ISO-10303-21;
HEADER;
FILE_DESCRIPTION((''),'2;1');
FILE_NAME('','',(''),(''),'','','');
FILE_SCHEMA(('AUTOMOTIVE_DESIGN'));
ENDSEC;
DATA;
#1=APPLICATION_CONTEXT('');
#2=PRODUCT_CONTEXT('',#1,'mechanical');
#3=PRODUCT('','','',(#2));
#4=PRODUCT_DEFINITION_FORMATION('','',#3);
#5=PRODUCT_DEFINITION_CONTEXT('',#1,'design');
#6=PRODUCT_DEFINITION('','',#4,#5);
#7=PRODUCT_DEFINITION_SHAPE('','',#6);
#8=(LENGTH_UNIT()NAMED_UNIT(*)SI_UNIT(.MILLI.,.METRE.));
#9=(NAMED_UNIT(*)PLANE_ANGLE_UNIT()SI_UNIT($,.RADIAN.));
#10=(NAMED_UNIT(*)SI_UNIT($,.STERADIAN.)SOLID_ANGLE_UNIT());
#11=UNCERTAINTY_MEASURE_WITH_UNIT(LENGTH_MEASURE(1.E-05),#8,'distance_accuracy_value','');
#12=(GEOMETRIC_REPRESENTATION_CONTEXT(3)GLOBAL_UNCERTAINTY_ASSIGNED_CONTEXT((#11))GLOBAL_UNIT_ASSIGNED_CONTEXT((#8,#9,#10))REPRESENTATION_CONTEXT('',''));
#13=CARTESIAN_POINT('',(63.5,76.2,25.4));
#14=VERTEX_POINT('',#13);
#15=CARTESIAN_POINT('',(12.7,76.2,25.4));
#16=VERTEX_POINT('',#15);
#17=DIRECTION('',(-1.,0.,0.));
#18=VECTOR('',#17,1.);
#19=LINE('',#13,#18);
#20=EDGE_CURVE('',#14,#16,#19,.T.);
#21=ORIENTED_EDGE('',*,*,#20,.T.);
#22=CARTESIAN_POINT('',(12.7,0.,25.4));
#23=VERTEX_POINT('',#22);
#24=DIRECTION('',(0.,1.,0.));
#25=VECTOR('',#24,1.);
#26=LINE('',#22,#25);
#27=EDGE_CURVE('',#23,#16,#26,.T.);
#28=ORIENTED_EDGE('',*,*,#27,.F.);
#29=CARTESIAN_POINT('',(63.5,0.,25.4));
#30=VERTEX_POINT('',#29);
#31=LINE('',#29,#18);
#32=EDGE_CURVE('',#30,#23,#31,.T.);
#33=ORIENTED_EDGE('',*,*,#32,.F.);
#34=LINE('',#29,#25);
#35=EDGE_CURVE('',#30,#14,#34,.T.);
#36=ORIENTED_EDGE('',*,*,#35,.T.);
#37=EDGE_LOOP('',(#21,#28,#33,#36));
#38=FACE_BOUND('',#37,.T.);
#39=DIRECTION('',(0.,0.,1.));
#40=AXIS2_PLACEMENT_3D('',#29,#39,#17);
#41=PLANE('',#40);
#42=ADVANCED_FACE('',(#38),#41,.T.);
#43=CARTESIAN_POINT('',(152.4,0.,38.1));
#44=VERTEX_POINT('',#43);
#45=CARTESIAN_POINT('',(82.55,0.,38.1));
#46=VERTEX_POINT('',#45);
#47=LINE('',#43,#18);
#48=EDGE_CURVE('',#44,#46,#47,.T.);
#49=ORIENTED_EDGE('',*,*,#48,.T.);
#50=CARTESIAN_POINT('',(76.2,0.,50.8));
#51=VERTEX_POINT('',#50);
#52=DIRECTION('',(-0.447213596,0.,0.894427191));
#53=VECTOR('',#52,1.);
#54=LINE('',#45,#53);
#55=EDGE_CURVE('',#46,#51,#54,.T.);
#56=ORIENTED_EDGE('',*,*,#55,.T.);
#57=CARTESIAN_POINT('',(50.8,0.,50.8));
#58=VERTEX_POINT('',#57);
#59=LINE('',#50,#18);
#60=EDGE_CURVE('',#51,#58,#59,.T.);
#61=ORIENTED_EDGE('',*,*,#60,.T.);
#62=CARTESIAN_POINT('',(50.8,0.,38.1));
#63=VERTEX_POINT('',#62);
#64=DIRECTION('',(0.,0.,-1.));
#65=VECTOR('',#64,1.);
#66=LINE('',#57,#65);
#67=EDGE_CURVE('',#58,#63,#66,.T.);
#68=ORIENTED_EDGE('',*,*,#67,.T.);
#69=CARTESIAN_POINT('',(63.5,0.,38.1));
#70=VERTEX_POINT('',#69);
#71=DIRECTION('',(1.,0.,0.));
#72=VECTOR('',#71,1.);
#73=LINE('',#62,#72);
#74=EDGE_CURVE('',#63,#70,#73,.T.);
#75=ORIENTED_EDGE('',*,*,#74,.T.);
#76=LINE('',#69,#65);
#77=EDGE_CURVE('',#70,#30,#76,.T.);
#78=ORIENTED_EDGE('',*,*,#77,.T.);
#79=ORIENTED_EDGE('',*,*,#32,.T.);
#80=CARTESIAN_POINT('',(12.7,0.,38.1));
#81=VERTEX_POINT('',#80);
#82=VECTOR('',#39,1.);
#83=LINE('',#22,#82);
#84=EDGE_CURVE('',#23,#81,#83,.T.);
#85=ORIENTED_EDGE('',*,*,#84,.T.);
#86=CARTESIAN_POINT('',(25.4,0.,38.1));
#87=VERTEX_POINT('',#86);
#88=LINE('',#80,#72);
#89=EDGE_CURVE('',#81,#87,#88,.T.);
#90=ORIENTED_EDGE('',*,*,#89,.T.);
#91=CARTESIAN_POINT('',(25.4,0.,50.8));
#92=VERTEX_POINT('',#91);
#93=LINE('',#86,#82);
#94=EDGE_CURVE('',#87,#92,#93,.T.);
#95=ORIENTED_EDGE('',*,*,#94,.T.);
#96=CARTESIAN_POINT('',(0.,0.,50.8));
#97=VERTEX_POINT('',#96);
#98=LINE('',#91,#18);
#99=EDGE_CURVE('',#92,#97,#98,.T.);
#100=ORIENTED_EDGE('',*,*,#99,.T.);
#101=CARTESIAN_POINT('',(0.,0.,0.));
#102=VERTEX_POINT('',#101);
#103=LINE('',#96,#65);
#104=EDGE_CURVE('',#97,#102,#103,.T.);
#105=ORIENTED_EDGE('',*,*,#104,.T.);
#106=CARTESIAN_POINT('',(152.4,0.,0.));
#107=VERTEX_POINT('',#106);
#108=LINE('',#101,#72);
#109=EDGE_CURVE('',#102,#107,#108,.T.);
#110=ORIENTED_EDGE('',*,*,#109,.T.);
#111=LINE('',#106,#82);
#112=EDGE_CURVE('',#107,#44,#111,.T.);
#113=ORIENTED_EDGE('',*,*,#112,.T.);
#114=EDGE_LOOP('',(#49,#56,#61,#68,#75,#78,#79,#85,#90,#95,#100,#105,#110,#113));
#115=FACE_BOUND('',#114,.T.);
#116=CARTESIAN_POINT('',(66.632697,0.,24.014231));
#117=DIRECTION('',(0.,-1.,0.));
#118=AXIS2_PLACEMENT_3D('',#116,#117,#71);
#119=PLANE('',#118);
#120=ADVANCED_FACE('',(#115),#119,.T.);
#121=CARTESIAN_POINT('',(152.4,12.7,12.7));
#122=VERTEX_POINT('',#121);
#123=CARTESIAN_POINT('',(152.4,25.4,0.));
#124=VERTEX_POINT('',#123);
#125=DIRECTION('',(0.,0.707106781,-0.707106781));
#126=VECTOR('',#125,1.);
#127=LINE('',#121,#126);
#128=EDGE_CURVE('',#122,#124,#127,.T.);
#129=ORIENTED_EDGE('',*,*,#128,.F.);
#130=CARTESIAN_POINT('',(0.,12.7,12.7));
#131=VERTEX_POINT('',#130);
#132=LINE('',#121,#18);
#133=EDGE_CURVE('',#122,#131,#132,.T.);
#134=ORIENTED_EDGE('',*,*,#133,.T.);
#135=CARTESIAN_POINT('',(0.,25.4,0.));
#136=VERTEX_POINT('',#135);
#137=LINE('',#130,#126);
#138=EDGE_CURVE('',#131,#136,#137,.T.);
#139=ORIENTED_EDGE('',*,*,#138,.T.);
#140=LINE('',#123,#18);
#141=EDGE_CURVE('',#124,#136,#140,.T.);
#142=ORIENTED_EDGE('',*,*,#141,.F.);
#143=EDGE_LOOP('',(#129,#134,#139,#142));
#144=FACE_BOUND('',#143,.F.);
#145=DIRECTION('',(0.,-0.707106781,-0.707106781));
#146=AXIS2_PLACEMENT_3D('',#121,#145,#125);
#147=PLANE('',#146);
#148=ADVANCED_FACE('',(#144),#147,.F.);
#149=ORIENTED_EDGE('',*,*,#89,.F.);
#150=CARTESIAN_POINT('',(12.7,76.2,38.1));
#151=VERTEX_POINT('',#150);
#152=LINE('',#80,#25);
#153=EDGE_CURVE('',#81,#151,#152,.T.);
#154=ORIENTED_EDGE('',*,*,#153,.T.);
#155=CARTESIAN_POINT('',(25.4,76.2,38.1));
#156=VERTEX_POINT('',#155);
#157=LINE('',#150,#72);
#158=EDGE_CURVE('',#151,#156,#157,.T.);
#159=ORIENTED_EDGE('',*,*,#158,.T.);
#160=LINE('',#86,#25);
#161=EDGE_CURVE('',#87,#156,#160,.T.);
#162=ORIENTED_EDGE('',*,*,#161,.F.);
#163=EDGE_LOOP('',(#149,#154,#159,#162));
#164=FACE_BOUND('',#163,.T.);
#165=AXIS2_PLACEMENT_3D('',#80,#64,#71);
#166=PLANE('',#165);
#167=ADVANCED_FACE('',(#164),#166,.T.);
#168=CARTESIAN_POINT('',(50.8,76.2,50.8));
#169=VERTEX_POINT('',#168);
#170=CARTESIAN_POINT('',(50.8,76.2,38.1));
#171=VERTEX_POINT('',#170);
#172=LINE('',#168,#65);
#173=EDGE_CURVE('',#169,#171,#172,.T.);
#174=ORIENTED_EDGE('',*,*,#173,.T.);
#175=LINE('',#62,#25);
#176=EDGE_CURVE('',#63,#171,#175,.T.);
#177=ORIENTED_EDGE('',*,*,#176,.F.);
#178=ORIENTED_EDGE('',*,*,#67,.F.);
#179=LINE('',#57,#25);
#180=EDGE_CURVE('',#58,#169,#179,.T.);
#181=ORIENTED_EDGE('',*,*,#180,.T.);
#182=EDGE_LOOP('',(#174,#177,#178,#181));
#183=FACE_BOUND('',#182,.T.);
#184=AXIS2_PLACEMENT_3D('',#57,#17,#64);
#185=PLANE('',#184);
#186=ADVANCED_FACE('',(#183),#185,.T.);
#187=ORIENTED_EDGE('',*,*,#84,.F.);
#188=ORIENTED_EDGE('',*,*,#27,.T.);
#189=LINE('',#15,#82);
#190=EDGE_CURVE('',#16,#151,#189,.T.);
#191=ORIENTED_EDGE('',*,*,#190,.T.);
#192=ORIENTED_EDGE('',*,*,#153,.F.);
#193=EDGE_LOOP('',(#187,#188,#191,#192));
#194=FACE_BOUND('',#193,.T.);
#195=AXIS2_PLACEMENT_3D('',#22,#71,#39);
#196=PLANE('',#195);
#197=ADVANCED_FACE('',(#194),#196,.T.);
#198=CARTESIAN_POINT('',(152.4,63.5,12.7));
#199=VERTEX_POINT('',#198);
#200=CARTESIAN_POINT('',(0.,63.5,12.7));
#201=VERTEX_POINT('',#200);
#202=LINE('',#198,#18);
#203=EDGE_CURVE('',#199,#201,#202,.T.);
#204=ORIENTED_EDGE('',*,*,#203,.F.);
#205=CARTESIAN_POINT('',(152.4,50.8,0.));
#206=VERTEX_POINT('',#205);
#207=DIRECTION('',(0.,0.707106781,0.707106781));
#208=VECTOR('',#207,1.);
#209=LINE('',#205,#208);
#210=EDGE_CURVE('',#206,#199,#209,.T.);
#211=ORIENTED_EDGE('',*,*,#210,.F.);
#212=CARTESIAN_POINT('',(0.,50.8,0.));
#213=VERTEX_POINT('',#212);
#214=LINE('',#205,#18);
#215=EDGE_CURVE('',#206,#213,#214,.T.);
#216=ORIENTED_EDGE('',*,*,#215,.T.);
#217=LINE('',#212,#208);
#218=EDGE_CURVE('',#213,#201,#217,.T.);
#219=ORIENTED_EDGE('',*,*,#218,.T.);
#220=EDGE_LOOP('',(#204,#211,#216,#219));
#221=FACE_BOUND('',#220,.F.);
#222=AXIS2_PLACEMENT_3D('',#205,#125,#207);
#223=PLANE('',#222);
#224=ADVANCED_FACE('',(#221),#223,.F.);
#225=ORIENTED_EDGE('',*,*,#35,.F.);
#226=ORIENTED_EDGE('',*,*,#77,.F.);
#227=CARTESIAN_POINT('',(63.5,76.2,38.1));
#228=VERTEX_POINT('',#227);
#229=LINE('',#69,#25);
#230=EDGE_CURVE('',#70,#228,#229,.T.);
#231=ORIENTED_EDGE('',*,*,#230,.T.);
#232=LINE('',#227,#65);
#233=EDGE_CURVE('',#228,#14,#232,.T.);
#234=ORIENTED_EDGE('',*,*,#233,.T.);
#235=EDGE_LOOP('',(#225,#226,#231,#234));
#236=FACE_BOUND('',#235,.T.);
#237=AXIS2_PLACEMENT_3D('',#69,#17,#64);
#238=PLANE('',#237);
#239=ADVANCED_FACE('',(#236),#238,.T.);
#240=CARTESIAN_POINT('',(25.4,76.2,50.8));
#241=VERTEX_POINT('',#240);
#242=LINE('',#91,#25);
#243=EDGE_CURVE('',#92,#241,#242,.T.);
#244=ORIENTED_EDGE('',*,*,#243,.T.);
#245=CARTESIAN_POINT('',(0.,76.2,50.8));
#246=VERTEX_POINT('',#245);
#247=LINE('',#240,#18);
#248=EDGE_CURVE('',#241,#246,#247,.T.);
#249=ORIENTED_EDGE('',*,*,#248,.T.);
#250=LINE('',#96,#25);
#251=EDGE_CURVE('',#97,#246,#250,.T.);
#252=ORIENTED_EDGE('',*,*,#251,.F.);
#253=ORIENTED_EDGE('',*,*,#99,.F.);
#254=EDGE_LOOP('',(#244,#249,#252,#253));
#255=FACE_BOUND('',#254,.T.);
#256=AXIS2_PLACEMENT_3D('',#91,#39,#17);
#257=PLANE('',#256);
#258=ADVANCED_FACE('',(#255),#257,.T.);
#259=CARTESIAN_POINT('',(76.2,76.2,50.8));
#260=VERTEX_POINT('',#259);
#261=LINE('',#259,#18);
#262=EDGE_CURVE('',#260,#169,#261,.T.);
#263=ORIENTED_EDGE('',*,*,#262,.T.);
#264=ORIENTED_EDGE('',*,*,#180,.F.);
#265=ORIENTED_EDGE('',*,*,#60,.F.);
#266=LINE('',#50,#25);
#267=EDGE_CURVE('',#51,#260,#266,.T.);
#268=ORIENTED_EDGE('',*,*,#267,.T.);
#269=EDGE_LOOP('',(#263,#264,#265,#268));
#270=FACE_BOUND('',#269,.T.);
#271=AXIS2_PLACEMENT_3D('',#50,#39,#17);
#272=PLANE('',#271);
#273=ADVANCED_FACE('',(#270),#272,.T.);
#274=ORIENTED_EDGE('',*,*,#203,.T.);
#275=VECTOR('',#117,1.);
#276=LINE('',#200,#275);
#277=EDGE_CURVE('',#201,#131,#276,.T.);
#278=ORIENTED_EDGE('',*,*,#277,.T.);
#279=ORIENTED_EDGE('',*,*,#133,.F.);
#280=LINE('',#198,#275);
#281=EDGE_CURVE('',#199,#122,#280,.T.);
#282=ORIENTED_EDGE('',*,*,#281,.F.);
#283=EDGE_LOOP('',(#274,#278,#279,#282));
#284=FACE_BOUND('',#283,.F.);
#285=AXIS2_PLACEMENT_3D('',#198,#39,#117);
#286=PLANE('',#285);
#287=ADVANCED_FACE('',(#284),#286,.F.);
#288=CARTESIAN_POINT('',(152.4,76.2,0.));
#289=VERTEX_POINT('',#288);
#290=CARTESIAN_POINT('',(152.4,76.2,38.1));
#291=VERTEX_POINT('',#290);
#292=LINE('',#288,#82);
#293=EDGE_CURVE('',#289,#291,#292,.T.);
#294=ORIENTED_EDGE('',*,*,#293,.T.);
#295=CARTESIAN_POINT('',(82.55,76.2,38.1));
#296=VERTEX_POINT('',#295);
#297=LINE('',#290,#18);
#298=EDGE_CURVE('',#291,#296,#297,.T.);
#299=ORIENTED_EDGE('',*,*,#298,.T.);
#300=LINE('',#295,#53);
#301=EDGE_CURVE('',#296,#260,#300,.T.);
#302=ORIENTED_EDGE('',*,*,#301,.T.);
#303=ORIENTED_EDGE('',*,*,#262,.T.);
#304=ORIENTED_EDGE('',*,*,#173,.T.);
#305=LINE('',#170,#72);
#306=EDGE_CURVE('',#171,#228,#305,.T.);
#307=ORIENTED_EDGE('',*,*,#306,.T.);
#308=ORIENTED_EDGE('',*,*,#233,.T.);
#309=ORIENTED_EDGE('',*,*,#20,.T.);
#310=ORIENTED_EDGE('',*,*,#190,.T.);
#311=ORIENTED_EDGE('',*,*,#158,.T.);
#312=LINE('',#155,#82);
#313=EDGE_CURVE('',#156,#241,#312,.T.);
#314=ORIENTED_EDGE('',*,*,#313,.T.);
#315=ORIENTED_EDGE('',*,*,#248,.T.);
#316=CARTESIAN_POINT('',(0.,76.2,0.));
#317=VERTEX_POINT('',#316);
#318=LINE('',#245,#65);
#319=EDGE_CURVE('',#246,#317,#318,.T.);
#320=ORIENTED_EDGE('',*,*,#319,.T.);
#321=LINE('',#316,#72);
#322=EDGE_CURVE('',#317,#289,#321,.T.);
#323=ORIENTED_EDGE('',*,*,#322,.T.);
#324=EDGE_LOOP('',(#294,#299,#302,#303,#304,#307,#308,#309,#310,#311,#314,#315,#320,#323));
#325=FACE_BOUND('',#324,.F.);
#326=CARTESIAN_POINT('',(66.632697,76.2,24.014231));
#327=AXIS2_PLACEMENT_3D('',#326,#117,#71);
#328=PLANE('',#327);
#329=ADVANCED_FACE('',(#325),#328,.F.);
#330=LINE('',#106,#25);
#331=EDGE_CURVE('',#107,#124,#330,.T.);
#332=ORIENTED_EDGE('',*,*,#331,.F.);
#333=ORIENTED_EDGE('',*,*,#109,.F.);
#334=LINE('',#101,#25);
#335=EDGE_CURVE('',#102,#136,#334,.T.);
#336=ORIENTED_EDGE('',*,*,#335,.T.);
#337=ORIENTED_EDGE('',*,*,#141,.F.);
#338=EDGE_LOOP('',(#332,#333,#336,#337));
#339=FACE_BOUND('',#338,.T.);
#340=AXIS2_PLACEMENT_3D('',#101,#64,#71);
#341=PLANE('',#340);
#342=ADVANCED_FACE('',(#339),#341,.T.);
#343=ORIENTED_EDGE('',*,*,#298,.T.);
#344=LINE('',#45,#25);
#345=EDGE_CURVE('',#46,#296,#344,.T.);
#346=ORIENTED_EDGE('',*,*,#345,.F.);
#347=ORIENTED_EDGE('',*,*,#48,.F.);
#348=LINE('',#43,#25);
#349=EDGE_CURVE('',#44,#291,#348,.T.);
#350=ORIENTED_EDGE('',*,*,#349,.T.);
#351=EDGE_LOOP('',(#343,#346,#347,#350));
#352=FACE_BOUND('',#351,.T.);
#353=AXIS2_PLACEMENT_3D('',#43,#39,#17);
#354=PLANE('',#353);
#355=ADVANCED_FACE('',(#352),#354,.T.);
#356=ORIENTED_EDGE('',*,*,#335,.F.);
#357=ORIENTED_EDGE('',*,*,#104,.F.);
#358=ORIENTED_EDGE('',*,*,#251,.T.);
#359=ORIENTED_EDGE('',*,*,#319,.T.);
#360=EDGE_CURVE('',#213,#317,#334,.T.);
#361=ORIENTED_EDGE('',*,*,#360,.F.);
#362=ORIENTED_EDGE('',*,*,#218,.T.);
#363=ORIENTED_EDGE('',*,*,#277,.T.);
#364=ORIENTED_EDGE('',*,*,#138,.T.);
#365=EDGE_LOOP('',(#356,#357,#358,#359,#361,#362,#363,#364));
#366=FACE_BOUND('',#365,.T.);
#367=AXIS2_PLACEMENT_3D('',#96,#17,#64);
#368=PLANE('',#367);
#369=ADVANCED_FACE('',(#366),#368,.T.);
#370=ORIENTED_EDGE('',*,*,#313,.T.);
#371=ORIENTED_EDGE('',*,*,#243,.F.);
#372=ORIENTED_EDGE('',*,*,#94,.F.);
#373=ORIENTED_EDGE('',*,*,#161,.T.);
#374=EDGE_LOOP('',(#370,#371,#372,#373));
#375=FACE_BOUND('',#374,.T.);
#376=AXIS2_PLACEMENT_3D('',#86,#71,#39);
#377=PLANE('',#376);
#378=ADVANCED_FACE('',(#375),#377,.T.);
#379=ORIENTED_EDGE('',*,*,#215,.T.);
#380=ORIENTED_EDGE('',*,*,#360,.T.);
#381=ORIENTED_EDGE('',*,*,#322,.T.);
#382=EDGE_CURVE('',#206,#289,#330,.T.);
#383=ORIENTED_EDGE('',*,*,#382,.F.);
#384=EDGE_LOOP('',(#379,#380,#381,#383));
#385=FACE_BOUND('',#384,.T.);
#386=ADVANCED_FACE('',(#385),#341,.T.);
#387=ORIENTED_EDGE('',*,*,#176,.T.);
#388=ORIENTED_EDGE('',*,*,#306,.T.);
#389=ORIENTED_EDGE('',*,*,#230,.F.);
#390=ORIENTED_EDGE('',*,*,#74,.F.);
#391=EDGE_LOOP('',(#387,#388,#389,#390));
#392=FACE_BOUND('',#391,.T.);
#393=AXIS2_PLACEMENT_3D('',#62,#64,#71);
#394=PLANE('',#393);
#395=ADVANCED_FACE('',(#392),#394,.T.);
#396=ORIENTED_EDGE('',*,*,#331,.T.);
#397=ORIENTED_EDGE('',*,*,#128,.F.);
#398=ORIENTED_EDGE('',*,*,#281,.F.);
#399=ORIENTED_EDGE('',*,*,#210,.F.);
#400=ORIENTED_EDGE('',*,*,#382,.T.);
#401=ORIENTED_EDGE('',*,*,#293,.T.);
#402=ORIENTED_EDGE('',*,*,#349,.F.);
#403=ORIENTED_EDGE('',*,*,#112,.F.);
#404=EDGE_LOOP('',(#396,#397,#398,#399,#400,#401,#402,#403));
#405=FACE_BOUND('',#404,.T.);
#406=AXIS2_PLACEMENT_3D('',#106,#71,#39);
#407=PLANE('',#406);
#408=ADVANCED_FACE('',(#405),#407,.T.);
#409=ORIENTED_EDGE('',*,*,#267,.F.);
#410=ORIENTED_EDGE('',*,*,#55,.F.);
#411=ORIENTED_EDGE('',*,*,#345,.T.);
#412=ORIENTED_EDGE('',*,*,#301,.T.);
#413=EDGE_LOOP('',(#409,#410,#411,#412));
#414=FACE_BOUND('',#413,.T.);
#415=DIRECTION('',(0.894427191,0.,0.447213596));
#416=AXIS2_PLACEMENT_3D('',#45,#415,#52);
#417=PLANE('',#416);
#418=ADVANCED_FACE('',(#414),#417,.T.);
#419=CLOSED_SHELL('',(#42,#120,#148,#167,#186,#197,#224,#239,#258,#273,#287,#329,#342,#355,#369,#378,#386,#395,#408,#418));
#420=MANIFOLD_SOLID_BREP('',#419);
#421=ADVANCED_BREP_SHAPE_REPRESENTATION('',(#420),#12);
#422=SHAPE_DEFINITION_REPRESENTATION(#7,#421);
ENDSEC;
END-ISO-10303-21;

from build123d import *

# Parameters (mm, degrees)
F1_DEPTH = 76.2
F3_DEPTH = 152.4


with BuildPart() as f1:
    # F0 (on Front) → F1 (new body)
    with BuildSketch(Plane.XZ):
        Polygon((0, 50.8), (0, 0), (152.4, 0), (152.4, 38.1), (82.55, 38.1), (76.2, 50.8), (50.8, 50.8), (50.8, 38.1), (63.5, 38.1), (63.5, 25.4), (12.7, 25.4), (12.7, 38.1), (25.4, 38.1), (25.4, 50.8), align=None)
    extrude(amount=-F1_DEPTH)

    # F2 (on face) → F3 (cut)
    with BuildSketch(Plane.YZ.offset(152.4)):
        Polygon((12.7, 12.7), (25.4, 0), (50.8, 0), (63.5, 12.7), align=None)
    extrude(amount=-F3_DEPTH, mode=Mode.SUBTRACT)


solid = f1.part
